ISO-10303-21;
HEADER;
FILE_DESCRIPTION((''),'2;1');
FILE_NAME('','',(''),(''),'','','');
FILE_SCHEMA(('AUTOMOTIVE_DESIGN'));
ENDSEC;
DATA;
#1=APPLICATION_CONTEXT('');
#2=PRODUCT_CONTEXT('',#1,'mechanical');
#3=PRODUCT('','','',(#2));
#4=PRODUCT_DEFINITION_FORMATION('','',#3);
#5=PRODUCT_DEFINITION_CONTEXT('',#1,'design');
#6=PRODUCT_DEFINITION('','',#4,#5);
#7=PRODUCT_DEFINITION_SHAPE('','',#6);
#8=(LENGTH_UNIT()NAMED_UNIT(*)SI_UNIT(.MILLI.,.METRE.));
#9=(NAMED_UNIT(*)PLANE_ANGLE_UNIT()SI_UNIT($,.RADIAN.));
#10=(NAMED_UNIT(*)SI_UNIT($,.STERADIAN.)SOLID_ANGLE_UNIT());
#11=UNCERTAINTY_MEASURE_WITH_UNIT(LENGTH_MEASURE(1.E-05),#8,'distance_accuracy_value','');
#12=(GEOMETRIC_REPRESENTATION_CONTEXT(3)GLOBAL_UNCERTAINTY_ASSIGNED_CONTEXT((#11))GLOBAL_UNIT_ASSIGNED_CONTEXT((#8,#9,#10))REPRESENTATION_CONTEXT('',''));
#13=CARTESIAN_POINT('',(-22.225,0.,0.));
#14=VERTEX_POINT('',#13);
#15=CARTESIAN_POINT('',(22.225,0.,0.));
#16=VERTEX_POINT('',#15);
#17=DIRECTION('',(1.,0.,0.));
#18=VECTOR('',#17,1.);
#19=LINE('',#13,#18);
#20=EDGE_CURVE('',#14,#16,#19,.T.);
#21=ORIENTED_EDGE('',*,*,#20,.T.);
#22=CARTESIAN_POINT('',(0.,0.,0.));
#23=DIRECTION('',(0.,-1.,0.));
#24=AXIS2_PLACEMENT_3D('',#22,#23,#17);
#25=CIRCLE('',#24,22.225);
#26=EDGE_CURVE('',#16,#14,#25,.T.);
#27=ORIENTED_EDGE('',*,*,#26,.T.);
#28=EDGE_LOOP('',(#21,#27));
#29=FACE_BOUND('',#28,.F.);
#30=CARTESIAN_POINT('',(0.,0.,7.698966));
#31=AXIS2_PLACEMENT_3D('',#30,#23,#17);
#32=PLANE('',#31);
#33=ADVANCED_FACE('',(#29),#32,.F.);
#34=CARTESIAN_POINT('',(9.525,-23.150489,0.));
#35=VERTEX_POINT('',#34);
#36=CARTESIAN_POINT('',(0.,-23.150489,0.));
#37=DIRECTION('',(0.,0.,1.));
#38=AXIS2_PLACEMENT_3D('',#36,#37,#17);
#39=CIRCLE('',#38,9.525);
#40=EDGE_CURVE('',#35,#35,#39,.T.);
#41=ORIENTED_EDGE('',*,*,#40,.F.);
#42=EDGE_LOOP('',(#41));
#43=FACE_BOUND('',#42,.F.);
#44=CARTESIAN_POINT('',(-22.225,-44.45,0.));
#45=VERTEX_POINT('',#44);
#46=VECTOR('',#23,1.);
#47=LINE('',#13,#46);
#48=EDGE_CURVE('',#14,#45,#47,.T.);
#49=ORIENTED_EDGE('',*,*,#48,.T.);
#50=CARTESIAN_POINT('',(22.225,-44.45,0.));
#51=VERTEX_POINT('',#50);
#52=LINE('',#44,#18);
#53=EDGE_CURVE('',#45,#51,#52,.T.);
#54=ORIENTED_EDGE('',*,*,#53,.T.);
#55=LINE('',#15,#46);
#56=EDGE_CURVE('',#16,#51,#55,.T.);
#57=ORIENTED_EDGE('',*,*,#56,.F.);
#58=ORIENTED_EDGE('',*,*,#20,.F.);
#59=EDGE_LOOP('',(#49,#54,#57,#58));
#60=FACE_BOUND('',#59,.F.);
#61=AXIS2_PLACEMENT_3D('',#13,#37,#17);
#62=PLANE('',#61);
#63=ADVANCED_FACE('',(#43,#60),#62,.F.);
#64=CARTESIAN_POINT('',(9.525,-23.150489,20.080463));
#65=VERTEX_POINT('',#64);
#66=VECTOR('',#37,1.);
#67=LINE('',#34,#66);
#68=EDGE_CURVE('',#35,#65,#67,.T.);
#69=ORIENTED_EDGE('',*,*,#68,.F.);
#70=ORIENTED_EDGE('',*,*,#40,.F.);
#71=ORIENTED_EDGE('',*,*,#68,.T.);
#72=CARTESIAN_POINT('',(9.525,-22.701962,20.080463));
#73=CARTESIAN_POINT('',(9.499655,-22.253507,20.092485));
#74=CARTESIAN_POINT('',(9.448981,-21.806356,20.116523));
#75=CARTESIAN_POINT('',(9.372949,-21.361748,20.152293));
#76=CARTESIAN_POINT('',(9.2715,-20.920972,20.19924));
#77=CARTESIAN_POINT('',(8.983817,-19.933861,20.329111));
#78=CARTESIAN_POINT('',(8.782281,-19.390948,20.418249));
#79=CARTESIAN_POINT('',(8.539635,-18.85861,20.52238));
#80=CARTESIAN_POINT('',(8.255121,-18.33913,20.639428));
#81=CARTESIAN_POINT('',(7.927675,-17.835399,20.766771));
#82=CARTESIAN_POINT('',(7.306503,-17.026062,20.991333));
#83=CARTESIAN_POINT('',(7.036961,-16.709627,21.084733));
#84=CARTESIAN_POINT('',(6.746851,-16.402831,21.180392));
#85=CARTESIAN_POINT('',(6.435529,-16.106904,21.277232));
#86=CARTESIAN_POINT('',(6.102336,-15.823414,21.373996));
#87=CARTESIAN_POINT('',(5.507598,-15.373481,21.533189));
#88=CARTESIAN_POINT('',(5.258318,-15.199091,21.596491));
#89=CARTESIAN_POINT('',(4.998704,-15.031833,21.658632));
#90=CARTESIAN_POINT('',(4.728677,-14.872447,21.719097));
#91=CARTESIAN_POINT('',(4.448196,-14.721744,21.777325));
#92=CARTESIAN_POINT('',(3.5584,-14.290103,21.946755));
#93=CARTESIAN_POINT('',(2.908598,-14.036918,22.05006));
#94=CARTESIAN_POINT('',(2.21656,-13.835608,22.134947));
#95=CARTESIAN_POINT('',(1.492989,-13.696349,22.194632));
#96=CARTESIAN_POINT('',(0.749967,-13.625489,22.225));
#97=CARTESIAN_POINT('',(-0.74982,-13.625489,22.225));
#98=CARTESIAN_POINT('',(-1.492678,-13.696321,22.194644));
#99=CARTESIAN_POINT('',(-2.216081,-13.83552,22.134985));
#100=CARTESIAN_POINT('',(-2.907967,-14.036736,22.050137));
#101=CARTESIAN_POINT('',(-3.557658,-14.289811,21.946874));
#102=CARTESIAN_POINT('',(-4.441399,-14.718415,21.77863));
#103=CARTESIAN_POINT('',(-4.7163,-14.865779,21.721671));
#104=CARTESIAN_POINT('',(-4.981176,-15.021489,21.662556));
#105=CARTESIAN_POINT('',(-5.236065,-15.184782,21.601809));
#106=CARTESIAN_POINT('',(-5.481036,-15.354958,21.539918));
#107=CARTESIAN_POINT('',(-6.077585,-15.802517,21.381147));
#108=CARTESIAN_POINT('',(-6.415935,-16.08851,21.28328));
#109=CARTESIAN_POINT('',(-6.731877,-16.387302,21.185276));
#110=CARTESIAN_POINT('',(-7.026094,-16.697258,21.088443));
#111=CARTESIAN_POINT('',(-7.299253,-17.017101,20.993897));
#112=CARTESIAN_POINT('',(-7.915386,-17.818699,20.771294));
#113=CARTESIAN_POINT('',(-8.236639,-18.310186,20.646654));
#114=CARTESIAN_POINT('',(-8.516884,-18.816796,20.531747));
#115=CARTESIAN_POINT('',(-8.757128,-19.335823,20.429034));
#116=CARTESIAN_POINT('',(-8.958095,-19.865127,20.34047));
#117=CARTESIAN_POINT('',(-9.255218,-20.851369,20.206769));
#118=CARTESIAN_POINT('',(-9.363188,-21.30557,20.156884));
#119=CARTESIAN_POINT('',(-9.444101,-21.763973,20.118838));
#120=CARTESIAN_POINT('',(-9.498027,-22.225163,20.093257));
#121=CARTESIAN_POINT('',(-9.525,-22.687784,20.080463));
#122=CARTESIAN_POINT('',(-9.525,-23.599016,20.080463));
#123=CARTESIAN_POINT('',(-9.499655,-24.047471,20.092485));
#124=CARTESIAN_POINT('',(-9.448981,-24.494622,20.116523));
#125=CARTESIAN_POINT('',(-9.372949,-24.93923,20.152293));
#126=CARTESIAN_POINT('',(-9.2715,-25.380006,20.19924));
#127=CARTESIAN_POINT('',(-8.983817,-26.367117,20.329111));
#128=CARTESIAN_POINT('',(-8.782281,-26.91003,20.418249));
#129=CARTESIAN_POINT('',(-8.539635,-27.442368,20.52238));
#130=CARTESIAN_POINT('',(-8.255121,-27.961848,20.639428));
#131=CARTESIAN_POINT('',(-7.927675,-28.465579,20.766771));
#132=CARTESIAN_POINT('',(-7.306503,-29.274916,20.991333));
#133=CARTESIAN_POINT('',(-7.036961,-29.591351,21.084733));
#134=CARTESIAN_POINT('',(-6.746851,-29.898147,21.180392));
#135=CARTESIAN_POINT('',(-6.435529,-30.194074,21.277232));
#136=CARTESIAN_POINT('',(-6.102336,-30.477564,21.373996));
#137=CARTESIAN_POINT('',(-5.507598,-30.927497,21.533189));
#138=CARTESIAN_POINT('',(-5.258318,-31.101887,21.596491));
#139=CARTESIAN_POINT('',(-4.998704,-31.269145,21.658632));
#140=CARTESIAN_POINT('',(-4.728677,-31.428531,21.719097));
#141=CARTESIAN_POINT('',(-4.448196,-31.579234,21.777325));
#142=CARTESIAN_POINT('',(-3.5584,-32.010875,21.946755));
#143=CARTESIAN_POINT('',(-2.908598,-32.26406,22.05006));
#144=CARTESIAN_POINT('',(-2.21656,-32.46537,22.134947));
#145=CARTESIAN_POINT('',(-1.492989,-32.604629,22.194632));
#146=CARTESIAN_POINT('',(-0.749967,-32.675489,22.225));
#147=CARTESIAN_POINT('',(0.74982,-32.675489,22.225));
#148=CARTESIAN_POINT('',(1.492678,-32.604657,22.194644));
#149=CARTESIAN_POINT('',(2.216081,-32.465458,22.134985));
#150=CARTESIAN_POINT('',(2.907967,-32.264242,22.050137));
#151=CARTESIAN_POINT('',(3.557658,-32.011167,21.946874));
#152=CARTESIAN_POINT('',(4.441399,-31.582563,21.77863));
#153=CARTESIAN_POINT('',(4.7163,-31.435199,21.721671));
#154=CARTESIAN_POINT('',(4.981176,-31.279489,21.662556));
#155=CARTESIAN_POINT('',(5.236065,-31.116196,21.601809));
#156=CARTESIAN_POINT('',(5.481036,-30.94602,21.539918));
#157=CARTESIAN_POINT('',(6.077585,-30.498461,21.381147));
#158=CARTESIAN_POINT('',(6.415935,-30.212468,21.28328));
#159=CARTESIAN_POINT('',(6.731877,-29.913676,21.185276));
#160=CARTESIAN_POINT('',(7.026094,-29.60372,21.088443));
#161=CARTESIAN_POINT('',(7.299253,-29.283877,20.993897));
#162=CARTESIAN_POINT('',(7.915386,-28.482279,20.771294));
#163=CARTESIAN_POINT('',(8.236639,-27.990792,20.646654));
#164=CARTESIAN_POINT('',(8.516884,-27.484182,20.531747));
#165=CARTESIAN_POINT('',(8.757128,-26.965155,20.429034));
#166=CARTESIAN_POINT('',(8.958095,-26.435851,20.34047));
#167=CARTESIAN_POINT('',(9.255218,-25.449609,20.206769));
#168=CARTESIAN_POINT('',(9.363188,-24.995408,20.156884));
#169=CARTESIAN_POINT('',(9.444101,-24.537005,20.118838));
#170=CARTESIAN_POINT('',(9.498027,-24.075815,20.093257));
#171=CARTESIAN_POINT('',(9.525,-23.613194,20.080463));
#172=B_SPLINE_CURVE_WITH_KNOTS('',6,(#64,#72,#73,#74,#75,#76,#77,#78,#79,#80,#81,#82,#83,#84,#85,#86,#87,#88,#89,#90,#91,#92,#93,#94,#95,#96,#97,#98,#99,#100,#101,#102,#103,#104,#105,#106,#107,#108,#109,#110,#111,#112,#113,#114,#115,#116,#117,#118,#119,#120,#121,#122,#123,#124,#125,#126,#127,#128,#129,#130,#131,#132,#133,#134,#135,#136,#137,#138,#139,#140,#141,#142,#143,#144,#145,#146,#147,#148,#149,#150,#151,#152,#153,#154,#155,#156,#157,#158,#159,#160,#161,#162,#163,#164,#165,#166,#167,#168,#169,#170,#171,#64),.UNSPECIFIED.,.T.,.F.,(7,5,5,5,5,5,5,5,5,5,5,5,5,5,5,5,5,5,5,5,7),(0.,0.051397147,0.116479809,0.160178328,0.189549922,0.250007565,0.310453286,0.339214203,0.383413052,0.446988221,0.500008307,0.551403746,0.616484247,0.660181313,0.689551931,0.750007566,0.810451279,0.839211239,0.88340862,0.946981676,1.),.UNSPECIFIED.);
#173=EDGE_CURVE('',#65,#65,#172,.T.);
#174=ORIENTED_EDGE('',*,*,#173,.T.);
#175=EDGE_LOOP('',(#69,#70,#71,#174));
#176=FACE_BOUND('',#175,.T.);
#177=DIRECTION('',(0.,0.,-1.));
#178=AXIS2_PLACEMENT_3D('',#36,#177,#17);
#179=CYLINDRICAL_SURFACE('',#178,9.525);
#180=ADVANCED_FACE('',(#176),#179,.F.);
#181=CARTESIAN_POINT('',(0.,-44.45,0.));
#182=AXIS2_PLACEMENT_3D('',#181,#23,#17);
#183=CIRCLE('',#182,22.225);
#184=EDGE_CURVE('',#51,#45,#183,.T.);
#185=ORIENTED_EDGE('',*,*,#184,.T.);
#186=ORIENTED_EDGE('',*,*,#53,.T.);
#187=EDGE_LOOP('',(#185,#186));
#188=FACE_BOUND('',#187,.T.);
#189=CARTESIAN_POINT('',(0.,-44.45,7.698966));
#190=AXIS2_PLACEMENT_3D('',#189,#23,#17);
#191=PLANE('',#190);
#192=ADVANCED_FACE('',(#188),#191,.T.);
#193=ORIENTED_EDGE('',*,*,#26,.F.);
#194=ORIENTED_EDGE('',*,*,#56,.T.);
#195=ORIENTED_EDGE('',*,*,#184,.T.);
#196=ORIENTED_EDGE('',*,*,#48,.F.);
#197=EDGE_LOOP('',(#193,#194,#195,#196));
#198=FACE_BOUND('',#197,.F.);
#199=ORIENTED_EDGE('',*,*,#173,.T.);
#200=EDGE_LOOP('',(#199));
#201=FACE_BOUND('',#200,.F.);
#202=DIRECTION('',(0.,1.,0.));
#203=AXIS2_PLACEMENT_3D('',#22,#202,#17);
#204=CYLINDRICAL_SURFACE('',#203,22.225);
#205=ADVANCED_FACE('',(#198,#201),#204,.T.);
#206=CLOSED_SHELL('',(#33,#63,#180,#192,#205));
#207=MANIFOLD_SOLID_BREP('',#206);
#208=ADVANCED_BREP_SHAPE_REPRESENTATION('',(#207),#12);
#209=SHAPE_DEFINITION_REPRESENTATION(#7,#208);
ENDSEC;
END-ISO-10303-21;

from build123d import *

# Parameters (mm, degrees)
F1_DEPTH = 44.45
F2_R     = 9.525
F3_DEPTH = 22.226


with BuildPart() as f1:
    # F0 (on Front) → F1 (new body)
    with BuildSketch(Plane.XZ):
        with BuildLine():
            ThreePointArc((22.225, 0), (0, 22.225), (-22.225, 0))
            Line((-22.225, 0), (22.225, 0))
        make_face()
    extrude(amount=F1_DEPTH)

    # F2 (on Top) → F3 (cut, through all)
    with BuildSketch(Plane.XY):
        with Locations((0, -23.150489)):
            Circle(F2_R)
    extrude(amount=F3_DEPTH, mode=Mode.SUBTRACT)


solid = f1.part
